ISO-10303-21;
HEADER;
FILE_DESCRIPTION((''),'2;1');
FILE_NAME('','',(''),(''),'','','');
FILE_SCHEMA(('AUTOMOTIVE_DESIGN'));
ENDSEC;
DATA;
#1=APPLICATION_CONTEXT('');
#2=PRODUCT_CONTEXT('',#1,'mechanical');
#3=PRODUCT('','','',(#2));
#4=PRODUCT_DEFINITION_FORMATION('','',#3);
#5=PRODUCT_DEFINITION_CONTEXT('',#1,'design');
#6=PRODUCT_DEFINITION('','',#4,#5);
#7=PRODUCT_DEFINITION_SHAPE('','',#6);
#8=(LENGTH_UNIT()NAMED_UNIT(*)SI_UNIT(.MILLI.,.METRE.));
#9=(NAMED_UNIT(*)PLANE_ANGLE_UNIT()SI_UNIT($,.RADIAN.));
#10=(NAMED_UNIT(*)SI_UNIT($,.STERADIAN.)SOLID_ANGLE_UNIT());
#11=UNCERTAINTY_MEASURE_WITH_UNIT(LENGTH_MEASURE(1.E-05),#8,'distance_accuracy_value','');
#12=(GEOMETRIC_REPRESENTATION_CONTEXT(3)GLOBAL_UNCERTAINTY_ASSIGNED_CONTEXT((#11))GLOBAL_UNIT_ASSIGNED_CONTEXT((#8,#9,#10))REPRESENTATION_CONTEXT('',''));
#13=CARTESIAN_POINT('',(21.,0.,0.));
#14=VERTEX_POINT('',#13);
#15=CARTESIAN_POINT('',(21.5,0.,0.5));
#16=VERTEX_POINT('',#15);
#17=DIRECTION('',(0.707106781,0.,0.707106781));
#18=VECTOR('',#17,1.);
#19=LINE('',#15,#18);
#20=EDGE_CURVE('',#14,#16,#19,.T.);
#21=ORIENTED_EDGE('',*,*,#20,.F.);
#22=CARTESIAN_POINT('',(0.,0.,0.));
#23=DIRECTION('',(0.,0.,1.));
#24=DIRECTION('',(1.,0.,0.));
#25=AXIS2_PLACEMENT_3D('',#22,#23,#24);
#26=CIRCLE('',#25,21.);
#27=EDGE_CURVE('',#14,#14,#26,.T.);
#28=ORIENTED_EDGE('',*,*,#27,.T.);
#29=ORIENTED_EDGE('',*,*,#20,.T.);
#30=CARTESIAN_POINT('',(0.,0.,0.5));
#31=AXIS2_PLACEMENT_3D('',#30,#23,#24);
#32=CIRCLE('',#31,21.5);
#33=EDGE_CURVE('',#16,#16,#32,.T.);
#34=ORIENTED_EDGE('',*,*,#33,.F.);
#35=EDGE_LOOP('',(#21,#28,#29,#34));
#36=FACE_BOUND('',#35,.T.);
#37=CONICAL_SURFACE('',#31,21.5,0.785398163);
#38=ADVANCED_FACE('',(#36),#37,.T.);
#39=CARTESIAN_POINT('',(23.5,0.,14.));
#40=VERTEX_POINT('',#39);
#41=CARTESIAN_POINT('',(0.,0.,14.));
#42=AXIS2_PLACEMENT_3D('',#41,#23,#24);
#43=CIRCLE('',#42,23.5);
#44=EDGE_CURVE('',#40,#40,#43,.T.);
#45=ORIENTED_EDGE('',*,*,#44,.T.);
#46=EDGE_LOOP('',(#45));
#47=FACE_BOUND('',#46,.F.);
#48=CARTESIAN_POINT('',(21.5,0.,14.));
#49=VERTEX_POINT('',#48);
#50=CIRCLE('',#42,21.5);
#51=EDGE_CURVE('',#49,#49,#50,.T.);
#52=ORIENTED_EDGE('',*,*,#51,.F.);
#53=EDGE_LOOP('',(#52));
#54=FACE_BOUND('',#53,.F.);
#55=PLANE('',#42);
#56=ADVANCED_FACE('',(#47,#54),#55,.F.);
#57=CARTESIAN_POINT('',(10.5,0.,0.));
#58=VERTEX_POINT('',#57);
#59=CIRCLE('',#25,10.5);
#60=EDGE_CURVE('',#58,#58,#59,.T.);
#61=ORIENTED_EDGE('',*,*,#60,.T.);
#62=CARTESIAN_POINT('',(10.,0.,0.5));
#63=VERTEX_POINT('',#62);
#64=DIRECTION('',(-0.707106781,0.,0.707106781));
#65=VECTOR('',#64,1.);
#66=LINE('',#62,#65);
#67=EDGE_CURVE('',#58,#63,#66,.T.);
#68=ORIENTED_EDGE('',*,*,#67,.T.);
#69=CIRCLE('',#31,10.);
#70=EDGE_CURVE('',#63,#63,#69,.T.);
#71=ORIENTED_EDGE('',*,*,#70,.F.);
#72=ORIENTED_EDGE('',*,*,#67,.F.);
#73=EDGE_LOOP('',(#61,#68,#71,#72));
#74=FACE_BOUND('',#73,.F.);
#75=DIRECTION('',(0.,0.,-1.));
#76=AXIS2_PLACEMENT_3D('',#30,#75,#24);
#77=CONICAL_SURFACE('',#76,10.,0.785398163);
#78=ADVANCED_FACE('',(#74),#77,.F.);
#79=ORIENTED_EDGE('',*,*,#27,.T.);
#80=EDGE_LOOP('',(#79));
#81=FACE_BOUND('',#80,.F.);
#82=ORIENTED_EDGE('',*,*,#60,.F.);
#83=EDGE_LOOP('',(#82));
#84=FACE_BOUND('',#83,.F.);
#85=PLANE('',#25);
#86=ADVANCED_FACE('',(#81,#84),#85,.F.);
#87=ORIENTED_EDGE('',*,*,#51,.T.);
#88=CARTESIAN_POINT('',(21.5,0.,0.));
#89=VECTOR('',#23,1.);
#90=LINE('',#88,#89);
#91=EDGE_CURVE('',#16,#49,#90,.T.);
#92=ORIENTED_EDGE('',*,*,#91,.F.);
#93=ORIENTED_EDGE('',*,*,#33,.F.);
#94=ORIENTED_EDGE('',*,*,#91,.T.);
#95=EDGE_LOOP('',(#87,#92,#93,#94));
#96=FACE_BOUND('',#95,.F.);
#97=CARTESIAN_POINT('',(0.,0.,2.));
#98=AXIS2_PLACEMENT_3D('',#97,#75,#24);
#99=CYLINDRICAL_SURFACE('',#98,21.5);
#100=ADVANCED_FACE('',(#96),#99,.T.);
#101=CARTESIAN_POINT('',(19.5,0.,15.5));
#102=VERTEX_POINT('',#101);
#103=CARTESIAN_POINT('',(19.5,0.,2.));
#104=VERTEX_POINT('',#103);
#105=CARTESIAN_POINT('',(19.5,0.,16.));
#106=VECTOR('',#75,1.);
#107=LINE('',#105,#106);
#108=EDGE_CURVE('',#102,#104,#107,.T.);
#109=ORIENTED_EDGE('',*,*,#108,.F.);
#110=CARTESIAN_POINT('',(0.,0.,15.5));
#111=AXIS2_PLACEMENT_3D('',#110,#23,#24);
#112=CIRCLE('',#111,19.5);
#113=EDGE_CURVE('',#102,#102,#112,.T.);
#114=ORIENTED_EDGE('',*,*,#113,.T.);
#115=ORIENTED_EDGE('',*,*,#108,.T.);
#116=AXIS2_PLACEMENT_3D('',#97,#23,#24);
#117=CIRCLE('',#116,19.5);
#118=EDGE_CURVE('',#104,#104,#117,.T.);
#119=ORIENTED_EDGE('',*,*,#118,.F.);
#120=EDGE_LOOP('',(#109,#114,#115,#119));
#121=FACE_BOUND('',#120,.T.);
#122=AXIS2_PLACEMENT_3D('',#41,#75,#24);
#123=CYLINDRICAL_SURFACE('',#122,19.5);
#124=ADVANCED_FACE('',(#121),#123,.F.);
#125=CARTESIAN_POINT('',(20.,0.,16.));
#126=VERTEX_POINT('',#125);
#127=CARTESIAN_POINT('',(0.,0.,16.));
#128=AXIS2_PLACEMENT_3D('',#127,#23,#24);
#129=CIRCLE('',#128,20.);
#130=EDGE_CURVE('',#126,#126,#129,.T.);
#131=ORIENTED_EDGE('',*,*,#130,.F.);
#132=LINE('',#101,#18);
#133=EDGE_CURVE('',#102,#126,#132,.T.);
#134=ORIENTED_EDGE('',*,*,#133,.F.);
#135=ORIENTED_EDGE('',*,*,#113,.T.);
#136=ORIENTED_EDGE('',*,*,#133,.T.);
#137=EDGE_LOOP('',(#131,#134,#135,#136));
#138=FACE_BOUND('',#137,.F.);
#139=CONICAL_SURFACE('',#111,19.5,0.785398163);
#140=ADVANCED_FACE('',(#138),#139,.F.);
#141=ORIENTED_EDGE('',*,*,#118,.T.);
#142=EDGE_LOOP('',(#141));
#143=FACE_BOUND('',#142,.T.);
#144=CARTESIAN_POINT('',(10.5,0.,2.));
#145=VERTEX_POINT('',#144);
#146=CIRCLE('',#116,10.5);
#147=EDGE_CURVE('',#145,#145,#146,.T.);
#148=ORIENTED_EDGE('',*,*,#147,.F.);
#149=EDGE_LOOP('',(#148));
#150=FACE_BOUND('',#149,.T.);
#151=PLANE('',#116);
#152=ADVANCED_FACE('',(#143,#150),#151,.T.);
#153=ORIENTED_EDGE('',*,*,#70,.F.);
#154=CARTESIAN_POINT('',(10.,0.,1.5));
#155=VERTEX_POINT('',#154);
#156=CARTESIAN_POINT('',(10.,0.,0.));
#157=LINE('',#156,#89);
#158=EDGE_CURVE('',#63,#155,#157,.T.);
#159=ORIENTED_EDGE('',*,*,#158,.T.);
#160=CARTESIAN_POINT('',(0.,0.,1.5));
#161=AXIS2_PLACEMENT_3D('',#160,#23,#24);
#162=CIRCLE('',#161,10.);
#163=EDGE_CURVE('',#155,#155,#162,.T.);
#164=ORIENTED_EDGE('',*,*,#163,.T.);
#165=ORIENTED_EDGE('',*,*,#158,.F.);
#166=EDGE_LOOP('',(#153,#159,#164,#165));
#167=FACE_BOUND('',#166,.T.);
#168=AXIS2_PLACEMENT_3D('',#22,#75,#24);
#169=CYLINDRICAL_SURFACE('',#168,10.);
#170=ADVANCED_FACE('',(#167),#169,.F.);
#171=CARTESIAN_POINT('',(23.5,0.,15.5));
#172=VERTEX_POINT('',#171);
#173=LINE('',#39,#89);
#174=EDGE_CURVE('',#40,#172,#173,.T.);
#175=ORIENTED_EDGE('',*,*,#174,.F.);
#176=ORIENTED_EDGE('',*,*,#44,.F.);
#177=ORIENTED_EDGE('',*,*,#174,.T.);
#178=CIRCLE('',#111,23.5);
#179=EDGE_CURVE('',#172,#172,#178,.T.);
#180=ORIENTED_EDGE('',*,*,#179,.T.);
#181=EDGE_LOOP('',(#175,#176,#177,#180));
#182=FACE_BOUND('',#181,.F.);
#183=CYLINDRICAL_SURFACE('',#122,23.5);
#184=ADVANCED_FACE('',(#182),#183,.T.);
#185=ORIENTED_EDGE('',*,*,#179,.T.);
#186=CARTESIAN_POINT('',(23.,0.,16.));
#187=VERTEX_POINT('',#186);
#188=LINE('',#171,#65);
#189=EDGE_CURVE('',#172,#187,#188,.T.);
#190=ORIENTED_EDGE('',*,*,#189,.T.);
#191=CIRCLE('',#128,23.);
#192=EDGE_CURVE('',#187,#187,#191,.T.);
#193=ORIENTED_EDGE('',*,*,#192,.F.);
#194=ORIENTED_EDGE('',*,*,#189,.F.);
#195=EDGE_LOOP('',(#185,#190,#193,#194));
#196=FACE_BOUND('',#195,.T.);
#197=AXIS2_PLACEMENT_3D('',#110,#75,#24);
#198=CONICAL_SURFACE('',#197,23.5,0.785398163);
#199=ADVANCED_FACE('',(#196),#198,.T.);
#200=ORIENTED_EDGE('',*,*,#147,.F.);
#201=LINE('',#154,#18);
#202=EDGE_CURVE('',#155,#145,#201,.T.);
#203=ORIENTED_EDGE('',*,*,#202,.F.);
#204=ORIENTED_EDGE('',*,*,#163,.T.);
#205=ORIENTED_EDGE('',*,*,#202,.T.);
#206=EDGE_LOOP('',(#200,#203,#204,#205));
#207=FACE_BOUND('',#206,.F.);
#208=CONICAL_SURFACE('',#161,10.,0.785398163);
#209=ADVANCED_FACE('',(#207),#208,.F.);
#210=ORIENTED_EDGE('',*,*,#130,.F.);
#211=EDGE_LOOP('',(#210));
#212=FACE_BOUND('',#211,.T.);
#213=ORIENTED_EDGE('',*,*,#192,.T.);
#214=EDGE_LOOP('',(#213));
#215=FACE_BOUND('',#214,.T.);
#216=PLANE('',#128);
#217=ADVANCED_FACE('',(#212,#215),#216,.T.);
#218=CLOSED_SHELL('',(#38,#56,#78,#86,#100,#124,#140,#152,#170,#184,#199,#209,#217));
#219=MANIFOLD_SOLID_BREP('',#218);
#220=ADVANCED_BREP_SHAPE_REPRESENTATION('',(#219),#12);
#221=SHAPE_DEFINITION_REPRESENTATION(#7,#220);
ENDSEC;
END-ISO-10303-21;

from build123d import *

# Parameters (mm, degrees)
F0_R     = 21.5
F0_R_2   = 10
F1_DEPTH = 2
F2_R     = 21.5
F2_R_2   = 19.5
F3_DEPTH = 12
F4_R     = 23.5
F4_R_2   = 21.5
F4_R_3   = 19.5
F5_DEPTH = 2
F6_SIZE  = 0.5
F7_SIZE  = 0.5
F8_SIZE  = 0.5


with BuildPart() as f1:
    # F0 (on Top) → F1 (new body)
    with BuildSketch(Plane.XY):
        Circle(F0_R)
        Circle(F0_R_2, mode=Mode.SUBTRACT)
    extrude(amount=F1_DEPTH)

    # F2 (on face) → F3 (join)
    with BuildSketch(Plane.XY.offset(2)):
        Circle(F2_R)
        Circle(F2_R_2, mode=Mode.SUBTRACT)
    extrude(amount=F3_DEPTH)

    # F4 (on face) → F5 (join)
    with BuildSketch(Plane.XY.offset(14)):
        Circle(F4_R)
        Circle(F4_R_2, mode=Mode.SUBTRACT)
        Circle(F4_R_2)
        Circle(F4_R_3, mode=Mode.SUBTRACT)
    extrude(amount=F5_DEPTH)

    # F6
    f6_edges = [f1.edges().sort_by_distance(p)[0] for p in [
        (-21.5, 0, 0),
    ]]
    chamfer(f6_edges, length=F6_SIZE)

    # F7
    f7_edges = [f1.edges().sort_by_distance(p)[0] for p in [
        (-10, 0, 2),
        (-10, 0, 0),
    ]]
    chamfer(f7_edges, length=F7_SIZE)

    # F8
    f8_edges = [f1.edges().sort_by_distance(p)[0] for p in [
        (-23.5, 0, 16),
        (-19.5, 0, 16),
    ]]
    chamfer(f8_edges, length=F8_SIZE)


solid = f1.part
